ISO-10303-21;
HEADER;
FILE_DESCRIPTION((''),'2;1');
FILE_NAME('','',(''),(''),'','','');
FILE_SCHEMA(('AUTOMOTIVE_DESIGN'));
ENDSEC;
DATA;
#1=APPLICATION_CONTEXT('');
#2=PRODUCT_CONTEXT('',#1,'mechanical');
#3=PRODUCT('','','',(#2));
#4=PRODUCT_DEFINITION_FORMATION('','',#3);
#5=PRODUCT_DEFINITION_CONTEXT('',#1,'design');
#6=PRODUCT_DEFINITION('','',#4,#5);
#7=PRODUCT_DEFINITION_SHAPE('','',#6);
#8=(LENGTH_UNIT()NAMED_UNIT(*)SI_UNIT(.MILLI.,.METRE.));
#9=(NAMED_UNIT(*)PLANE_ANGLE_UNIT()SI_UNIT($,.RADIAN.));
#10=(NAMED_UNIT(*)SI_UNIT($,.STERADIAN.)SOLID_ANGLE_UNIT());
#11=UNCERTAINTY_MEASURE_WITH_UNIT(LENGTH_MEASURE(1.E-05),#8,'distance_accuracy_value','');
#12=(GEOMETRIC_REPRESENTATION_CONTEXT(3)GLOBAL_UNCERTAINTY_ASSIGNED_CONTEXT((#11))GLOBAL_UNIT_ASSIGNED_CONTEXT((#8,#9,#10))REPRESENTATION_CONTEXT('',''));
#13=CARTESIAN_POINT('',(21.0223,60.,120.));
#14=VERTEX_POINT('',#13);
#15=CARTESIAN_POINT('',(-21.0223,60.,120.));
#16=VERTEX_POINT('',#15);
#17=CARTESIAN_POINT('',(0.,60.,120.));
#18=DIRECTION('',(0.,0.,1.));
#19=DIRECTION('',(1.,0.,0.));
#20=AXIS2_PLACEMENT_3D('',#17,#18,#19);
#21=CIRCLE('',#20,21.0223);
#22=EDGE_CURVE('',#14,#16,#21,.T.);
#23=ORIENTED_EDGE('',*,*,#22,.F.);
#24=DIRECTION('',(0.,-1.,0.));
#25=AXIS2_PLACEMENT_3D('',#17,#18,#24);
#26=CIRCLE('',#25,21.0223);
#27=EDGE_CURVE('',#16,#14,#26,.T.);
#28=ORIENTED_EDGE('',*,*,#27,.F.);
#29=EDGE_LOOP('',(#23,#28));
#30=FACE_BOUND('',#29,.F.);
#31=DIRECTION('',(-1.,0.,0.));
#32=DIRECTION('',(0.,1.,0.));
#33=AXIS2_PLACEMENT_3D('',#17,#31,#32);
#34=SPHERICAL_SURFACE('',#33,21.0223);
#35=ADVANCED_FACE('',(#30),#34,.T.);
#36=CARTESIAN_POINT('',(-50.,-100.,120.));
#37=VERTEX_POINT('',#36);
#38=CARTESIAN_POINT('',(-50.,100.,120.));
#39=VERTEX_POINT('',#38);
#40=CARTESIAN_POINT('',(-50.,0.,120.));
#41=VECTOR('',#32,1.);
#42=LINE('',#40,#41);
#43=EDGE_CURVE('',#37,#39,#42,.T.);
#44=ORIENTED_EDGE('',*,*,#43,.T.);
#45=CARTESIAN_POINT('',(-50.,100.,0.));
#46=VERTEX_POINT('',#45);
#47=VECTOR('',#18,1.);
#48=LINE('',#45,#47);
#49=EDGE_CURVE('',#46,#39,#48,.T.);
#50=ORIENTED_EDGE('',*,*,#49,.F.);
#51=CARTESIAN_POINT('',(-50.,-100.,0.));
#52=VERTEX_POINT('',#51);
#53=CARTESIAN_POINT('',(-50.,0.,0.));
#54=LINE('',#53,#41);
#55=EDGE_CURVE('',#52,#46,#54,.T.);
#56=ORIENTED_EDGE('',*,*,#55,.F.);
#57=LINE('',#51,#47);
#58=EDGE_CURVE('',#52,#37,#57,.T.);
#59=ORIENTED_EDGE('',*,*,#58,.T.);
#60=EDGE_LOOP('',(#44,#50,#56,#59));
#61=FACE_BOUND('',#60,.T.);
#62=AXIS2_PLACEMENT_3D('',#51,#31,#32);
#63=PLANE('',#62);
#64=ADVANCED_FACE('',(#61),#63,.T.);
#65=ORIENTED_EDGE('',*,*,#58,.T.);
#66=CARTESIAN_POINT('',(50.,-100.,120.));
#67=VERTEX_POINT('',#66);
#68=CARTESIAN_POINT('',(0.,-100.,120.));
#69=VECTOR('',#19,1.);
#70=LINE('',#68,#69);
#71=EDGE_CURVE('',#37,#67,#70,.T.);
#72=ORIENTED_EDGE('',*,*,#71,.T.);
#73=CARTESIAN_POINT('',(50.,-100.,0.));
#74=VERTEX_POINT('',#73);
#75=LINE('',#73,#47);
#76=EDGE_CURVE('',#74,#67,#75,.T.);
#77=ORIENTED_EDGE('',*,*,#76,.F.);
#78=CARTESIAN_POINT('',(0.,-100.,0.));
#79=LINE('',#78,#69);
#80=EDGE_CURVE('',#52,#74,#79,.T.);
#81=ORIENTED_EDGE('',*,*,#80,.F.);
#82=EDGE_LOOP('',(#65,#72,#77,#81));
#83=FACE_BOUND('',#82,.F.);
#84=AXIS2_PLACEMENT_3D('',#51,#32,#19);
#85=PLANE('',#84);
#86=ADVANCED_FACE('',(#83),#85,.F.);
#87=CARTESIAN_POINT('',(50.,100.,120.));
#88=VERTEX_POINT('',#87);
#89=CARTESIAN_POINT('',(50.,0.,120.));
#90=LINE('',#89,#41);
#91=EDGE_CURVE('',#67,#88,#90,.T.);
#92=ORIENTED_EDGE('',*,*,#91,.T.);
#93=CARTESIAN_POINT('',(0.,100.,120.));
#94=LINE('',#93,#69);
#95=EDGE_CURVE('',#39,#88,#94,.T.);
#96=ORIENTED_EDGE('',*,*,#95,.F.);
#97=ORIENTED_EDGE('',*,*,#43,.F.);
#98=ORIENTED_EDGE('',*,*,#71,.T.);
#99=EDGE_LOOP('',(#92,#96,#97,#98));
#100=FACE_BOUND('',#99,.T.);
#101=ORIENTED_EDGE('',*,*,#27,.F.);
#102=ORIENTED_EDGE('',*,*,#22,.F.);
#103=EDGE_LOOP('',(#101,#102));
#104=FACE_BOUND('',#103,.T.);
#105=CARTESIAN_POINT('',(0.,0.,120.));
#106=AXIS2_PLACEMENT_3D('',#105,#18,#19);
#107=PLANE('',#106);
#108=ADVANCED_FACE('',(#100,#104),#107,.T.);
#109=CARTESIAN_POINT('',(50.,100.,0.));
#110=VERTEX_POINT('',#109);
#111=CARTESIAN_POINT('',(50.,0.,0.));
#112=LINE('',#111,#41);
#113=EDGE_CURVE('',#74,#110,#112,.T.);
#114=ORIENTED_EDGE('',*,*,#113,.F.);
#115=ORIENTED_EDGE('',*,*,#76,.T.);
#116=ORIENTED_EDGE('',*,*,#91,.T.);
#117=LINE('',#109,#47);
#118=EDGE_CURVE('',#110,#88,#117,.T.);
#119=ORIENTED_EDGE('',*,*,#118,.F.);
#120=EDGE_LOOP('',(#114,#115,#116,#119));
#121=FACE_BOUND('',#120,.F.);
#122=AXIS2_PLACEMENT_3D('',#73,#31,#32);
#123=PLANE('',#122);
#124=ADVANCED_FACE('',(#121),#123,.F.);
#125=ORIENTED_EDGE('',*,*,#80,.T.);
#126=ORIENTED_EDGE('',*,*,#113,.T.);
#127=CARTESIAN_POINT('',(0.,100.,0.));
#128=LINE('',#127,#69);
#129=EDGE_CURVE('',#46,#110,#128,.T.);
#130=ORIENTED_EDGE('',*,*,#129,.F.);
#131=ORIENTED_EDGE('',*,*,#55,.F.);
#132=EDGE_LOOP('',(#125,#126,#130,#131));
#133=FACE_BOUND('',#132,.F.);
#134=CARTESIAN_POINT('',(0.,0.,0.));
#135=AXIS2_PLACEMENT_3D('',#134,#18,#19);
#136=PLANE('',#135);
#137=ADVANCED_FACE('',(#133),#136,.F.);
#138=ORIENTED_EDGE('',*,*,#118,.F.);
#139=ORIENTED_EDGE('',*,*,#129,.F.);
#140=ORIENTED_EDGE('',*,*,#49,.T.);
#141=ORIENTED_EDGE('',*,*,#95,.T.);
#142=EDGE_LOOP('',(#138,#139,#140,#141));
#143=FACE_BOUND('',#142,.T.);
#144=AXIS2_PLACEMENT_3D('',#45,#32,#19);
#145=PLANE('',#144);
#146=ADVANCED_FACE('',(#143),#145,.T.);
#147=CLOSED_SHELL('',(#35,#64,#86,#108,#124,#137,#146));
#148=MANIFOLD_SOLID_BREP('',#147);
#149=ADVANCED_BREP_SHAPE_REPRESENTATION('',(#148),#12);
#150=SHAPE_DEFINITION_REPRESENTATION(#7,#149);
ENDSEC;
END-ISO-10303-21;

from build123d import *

# Parameters (mm, degrees)
F0_W     = 100
F0_H     = 200
F1_DEPTH = 120


with BuildPart() as f1:
    # F0 (on Top) → F1 (new body)
    with BuildSketch(Plane.XY):
        Rectangle(F0_W, F0_H)
    extrude(amount=F1_DEPTH)

    # F2 (on face) → F3 (revolve)
    with BuildSketch(Plane.XY.offset(120)):
        with BuildLine():
            Line((0, 60), (21.0223, 60))
            ThreePointArc((21.0223, 60), (0, 81.0223), (-21.0223, 60))
            Line((-21.0223, 60), (0, 60))
        make_face()
    revolve(axis=Axis((0, 60, 120), (1, 0, 0)))


solid = f1.part
